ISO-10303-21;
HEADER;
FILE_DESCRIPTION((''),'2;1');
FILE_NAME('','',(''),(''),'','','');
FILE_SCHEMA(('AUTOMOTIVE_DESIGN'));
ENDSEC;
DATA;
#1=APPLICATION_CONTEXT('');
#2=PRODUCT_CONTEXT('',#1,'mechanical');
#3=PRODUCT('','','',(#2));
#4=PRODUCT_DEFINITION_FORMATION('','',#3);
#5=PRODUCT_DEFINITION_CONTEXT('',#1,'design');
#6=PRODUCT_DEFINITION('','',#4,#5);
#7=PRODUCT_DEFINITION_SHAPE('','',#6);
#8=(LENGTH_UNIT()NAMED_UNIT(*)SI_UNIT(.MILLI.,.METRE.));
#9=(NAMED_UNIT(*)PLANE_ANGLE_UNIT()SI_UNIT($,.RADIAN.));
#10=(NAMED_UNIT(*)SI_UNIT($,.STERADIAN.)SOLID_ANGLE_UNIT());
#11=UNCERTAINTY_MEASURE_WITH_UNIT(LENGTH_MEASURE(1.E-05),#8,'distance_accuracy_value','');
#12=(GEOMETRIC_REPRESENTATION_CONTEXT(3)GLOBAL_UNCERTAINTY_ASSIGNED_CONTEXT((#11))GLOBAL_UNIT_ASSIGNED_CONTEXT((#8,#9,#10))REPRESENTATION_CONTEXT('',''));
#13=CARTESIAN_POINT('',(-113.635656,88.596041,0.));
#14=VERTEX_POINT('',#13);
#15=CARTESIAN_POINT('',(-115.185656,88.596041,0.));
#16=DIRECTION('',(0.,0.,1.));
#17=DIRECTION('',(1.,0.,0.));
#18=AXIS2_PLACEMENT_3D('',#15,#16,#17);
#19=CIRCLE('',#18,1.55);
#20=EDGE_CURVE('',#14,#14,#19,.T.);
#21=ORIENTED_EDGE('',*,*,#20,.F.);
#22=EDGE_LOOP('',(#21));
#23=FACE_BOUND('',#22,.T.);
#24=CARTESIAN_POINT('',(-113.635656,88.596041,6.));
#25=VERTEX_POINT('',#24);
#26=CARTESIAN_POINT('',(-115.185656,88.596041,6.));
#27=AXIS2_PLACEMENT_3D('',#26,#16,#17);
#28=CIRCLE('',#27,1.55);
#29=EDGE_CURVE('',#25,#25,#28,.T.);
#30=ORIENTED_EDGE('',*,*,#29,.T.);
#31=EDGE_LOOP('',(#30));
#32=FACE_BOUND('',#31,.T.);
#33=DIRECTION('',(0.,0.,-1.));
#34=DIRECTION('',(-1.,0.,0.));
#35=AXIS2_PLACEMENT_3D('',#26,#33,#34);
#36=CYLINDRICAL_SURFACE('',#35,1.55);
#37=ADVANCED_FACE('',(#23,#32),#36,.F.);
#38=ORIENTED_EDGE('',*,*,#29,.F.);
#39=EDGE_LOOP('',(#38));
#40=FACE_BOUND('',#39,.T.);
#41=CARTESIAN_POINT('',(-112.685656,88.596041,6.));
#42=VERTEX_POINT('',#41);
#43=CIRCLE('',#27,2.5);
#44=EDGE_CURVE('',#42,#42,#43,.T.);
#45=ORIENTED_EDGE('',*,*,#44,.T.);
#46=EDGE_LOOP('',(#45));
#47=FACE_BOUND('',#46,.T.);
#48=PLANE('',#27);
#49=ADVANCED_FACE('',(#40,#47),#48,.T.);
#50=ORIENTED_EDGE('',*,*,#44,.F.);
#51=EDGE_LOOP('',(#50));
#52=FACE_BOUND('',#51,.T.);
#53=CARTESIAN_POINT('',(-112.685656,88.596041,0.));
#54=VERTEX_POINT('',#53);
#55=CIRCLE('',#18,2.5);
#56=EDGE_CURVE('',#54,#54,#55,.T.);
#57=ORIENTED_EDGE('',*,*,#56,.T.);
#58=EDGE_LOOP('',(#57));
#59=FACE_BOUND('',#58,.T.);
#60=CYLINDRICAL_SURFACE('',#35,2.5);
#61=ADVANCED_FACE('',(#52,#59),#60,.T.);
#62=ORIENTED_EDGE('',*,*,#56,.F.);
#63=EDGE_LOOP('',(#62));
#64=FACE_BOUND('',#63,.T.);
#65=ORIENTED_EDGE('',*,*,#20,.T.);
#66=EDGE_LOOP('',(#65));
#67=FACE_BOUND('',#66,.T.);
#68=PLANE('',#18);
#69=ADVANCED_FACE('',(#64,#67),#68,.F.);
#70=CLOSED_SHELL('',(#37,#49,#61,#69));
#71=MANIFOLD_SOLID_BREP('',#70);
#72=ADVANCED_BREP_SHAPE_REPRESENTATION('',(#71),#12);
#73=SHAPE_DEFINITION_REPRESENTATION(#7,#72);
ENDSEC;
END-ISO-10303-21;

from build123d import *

# Parameters (mm, degrees)
SZKIC1_R                    = 2.5
SZKIC1_R_2                  = 1.55
DODANIE_WYCI_GNI_CIE1_DEPTH = 6


with BuildPart() as part:
    # Szkic1 → Dodanie-wyciągnięcie1 (new body)
    with BuildSketch(Plane.XY):
        with Locations((-115.185656495, 88.596041137)):
            Circle(SZKIC1_R)
        with Locations((-115.185656495, 88.596041137)):
            Circle(SZKIC1_R_2, mode=Mode.SUBTRACT)
    extrude(amount=DODANIE_WYCI_GNI_CIE1_DEPTH)


solid = part.part
